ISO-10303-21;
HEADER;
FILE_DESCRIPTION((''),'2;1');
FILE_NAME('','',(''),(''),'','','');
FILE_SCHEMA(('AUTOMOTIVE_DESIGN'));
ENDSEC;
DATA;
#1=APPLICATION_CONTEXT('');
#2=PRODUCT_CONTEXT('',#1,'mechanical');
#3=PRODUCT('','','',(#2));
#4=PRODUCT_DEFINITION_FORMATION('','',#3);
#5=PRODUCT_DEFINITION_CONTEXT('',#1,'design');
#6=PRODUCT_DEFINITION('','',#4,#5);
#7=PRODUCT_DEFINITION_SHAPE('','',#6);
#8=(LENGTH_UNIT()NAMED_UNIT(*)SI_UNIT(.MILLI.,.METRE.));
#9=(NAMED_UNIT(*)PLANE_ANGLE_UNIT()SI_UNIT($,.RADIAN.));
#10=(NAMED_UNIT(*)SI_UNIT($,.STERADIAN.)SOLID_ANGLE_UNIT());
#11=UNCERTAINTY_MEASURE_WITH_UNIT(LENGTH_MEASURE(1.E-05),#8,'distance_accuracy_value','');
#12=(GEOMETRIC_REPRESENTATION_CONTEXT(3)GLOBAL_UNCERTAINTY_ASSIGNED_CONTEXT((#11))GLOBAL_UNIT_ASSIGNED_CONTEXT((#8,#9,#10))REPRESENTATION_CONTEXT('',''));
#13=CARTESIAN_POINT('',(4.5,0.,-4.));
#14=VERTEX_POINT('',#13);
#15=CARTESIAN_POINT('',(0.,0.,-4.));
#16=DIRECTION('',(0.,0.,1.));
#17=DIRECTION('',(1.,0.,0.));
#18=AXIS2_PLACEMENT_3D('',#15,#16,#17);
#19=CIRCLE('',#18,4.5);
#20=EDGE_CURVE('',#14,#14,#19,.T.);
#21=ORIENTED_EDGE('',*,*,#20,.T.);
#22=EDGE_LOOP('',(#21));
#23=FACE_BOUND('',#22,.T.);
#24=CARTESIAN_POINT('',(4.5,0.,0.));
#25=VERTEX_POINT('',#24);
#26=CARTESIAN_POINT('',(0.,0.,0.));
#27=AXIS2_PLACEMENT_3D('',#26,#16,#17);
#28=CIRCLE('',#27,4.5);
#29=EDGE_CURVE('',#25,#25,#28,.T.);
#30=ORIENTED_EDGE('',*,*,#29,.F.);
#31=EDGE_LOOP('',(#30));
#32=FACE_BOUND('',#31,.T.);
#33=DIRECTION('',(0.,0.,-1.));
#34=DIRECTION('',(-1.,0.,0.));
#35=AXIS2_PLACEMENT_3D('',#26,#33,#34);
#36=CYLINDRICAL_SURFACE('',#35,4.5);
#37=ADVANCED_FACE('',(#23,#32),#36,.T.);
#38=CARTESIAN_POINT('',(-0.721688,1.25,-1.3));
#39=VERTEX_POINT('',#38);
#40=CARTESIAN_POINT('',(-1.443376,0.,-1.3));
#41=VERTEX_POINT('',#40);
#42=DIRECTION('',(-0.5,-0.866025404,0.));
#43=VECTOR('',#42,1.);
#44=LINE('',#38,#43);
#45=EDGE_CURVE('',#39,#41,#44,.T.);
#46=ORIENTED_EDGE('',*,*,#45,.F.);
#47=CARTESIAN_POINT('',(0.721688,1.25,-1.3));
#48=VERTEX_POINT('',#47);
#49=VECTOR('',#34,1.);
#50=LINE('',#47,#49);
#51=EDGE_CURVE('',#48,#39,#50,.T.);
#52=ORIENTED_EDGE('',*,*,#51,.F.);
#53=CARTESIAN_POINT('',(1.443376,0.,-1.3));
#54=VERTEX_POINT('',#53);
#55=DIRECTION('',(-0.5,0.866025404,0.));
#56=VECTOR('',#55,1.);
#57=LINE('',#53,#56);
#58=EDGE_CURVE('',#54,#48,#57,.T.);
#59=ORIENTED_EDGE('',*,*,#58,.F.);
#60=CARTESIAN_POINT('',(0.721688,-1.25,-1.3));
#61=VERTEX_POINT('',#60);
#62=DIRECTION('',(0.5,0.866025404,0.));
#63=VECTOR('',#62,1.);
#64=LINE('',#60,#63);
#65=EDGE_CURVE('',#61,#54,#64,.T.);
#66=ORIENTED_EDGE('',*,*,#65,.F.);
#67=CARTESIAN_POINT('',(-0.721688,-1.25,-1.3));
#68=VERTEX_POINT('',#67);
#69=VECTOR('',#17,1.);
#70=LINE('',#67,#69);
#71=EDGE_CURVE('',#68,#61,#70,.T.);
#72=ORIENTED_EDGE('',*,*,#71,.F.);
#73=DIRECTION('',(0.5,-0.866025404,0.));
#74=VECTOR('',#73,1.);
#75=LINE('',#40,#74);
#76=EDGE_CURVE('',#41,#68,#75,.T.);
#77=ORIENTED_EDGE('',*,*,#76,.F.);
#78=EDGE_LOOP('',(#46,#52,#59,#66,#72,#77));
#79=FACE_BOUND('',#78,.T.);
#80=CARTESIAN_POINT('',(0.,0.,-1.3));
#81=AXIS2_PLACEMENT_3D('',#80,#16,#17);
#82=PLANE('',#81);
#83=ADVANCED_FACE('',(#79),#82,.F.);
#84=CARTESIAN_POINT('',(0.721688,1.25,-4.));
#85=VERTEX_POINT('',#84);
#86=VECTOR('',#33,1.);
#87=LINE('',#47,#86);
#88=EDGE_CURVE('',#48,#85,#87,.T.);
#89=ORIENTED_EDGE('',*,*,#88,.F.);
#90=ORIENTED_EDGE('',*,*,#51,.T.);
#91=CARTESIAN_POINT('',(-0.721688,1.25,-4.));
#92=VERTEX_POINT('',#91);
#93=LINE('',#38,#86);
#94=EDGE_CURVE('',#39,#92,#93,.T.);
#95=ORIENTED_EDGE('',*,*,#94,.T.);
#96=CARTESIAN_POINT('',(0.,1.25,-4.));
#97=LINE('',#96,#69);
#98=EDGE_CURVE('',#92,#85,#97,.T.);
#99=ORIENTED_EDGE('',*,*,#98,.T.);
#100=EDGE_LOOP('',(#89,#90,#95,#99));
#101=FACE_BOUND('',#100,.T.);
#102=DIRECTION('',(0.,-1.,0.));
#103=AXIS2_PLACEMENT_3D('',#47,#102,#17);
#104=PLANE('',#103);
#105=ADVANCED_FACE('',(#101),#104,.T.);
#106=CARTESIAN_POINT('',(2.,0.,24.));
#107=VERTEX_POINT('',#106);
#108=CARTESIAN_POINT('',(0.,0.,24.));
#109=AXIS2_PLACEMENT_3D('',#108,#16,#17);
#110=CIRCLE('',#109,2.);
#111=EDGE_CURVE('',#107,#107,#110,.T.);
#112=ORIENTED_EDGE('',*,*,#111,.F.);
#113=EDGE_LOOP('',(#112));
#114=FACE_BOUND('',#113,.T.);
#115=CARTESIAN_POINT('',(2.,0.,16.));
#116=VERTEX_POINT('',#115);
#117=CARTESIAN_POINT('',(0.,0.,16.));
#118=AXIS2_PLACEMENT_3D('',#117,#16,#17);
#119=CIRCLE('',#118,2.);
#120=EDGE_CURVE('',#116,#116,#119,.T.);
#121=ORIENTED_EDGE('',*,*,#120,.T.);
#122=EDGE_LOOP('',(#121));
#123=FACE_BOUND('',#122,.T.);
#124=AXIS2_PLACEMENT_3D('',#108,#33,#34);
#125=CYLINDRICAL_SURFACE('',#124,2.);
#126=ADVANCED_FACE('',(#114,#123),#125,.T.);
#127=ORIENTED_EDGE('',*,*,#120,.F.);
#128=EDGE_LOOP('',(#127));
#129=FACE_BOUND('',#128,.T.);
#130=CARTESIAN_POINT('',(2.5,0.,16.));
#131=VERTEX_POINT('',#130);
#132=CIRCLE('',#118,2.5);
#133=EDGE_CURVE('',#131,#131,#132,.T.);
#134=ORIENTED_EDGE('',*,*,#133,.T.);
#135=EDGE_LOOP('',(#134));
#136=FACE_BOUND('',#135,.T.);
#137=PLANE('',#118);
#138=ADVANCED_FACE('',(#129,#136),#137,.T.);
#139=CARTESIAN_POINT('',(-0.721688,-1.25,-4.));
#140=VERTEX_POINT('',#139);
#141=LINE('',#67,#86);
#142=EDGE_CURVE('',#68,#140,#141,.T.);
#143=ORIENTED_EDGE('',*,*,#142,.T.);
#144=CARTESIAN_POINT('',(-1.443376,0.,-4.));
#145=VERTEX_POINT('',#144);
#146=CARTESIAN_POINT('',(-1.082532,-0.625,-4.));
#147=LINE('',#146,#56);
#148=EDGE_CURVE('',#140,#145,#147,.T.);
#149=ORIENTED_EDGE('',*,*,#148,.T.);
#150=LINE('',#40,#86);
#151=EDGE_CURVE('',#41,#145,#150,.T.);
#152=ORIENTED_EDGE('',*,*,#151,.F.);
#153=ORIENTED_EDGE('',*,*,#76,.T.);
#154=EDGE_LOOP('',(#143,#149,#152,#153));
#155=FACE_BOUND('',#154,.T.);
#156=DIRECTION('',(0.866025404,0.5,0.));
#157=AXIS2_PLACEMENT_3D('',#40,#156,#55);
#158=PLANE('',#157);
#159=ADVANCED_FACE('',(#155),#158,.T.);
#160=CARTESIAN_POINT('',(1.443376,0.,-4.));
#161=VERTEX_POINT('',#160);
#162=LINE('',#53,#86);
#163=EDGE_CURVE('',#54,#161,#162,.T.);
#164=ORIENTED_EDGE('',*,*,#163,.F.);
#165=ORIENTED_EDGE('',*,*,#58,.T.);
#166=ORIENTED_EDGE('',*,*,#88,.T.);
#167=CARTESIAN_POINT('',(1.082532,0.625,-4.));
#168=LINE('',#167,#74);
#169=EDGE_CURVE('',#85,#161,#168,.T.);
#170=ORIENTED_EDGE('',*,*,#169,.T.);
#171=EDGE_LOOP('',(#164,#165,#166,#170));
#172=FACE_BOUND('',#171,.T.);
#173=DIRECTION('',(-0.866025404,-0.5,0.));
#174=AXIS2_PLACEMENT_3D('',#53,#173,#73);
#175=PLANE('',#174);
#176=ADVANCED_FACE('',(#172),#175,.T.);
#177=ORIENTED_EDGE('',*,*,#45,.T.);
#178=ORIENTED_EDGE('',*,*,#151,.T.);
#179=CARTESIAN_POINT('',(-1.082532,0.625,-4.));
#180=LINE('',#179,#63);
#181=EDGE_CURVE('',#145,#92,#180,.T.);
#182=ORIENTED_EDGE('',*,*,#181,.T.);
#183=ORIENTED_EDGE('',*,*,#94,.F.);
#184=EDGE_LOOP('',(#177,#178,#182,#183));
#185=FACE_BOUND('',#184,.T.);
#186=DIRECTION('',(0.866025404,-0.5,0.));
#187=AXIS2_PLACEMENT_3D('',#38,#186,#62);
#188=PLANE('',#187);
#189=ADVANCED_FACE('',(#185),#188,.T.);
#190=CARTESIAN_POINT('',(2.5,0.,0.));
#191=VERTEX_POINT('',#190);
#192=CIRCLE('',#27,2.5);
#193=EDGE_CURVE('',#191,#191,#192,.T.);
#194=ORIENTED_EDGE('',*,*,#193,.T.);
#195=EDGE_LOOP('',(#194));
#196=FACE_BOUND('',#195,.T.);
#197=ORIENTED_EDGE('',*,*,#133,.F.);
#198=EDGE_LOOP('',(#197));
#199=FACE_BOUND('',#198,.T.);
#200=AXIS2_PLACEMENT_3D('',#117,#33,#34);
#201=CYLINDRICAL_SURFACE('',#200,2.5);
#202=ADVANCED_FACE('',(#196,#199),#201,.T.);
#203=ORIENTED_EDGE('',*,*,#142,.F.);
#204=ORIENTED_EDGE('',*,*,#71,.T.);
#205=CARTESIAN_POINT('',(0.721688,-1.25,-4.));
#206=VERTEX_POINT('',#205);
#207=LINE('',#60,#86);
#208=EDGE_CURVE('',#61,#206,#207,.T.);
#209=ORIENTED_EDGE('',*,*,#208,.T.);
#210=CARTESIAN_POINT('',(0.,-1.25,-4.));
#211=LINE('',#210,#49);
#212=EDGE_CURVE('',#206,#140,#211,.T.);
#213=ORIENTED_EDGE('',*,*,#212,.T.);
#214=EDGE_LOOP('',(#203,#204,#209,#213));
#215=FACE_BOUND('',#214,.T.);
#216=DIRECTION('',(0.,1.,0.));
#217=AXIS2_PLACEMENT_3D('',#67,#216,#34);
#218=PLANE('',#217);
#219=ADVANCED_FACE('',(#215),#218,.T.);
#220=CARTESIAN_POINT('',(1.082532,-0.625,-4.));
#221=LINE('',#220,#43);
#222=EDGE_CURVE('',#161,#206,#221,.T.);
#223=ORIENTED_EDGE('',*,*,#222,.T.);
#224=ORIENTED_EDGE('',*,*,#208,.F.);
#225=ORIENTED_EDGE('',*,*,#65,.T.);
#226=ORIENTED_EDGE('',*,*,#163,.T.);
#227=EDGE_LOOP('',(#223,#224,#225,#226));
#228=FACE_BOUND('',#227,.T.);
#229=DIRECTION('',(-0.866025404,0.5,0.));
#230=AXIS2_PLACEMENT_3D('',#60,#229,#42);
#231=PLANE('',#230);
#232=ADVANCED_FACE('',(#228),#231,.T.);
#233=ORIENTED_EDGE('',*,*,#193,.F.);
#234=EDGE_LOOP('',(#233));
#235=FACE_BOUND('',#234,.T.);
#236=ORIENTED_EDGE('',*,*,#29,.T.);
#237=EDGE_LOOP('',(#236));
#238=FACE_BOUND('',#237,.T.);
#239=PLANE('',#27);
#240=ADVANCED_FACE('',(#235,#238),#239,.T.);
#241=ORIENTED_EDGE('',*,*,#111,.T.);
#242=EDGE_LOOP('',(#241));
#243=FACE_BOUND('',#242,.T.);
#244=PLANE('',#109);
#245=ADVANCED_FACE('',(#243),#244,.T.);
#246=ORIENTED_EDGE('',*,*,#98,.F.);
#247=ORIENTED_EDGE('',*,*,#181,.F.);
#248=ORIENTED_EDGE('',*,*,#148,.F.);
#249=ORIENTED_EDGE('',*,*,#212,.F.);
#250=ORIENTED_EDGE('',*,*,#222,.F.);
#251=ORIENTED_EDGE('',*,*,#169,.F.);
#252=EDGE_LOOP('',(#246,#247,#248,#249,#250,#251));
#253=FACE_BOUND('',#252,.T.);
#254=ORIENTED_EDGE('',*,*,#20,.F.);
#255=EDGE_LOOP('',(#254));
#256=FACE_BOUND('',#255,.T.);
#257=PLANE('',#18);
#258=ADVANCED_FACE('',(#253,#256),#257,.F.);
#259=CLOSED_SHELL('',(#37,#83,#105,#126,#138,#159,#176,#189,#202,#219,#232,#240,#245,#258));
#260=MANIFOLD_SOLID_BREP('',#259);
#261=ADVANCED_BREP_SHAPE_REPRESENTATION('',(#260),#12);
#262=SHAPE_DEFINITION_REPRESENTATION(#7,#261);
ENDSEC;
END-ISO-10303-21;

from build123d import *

# Parameters (mm, degrees)
S01_GROUND_BEARING_SHOULDER_R      = 2.5
F_01_GROUND_BEARING_SHOULDER_DEPTH = 16
F_02_START                         = 16
S02_M4_RETAINING_THREAD_R          = 2
F_02_M4_RETAINING_THREAD_DEPTH     = 8
F_03_START                         = -4
S03_SOCKET_HEAD_R                  = 4.5
F_03_SOCKET_HEAD_DEPTH             = 4
F_04_START                         = -4.1
F_04_2_5_MM_HEX_KEY_DEPTH          = 2.8


with BuildPart() as part:
    # S01 - Ground bearing shoulder → 01 - Ground bearing shoulder (new body)
    with BuildSketch(Plane.XY):
        Circle(S01_GROUND_BEARING_SHOULDER_R)
    extrude(amount=F_01_GROUND_BEARING_SHOULDER_DEPTH)

    # S02 - M4 retaining thread → 02 - M4 retaining thread (add)
    with BuildSketch(Plane.XY.offset(F_02_START)):
        Circle(S02_M4_RETAINING_THREAD_R)
    extrude(amount=F_02_M4_RETAINING_THREAD_DEPTH)

    # S03 - Socket head → 03 - Socket head (add)
    with BuildSketch(Plane.XY.offset(F_03_START)):
        Circle(S03_SOCKET_HEAD_R)
    extrude(amount=F_03_SOCKET_HEAD_DEPTH)

    # S04 - 2.5 mm hex key → 04 - 2.5 mm hex key (cut)
    with BuildSketch(Plane.XY.offset(F_04_START)):
        Polygon((1.443375673, 0), (0.721687836, 1.25), (-0.721687836, 1.25), (-1.443375673, 0), (-0.721687836, -1.25), (0.721687836, -1.25), align=None)
    extrude(amount=F_04_2_5_MM_HEX_KEY_DEPTH, mode=Mode.SUBTRACT)


solid = part.part
